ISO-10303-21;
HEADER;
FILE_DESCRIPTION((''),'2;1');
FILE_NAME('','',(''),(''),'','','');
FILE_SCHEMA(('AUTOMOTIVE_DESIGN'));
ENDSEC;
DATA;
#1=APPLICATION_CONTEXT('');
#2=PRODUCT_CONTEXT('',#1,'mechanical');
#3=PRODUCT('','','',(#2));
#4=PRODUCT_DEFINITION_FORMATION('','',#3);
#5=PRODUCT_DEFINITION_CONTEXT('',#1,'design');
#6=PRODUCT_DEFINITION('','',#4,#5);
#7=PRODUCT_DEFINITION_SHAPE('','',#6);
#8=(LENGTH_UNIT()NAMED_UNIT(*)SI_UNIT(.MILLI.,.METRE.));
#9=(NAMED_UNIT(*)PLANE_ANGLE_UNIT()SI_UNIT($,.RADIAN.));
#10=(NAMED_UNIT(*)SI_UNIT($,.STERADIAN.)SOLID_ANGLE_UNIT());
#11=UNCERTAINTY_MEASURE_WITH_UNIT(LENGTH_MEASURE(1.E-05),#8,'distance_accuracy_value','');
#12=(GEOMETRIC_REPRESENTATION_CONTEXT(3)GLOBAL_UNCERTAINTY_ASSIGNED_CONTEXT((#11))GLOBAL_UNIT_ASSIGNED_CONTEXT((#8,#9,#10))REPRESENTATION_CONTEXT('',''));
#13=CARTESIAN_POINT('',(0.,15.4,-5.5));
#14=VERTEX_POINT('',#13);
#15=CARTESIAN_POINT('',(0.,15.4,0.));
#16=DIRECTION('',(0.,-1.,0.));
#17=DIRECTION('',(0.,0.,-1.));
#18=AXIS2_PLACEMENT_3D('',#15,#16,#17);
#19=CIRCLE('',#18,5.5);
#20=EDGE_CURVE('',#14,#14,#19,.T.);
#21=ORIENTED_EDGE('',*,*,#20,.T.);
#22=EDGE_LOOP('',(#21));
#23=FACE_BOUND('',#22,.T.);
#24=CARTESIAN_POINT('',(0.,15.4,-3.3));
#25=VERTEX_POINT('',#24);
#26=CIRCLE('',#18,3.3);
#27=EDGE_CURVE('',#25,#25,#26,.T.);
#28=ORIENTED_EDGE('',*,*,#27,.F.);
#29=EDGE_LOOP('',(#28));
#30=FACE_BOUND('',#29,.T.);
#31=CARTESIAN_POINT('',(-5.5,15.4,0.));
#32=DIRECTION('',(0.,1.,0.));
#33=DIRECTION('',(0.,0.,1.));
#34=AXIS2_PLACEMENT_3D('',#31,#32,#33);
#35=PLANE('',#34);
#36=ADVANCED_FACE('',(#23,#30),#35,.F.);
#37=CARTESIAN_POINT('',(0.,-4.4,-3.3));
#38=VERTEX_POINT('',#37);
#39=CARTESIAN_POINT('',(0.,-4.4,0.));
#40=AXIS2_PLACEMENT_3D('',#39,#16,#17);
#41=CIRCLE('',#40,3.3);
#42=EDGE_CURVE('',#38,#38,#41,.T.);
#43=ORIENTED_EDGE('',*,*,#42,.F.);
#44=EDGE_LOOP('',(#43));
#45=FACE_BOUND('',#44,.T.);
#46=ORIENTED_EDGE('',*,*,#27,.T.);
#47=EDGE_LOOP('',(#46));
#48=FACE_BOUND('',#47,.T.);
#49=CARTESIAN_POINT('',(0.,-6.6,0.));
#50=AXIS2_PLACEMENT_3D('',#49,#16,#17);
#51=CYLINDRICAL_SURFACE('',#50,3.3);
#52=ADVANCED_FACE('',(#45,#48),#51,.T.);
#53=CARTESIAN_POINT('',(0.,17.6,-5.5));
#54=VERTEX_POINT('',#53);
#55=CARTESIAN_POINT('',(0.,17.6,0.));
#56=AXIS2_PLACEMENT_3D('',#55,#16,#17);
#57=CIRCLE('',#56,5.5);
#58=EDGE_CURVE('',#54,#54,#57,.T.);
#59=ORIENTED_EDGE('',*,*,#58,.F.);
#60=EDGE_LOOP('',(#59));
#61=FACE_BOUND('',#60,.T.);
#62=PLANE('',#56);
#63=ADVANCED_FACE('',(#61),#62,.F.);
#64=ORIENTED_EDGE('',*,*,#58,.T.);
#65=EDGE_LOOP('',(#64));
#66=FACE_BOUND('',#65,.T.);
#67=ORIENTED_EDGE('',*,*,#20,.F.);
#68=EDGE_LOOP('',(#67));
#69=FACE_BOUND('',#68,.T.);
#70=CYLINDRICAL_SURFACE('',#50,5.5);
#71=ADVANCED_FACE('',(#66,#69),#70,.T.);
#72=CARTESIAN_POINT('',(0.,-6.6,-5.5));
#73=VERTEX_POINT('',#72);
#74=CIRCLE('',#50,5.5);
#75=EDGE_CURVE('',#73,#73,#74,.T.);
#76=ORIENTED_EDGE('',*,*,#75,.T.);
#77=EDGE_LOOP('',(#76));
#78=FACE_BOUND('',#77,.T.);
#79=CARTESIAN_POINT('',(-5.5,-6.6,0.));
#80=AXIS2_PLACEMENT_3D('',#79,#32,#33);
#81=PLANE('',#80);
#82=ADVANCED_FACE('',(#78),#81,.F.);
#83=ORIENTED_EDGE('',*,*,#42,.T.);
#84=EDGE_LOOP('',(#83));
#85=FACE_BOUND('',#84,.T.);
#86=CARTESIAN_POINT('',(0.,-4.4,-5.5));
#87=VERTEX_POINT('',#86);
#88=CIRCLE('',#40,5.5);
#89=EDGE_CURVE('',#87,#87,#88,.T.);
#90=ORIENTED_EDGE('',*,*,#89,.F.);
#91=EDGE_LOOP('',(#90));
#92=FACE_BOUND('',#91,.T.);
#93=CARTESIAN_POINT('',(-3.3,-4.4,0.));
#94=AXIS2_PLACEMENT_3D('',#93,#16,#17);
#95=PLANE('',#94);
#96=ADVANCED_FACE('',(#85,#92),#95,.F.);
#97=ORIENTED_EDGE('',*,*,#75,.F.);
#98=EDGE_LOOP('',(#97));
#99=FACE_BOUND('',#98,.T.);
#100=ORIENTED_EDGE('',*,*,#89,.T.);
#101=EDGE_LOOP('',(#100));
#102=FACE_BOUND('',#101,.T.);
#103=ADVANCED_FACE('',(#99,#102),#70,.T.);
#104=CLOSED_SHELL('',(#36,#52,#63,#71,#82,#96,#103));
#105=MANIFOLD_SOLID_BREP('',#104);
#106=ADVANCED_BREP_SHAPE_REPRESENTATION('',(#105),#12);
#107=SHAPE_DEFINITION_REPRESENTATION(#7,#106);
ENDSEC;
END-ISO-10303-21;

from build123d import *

# Parameters (mm, degrees)
SCALE_1_SCALE = 2.2


with BuildPart() as part:
    # Эскиз1 → Повернуть1 (revolve)
    with BuildSketch(Plane.XY, mode=Mode.PRIVATE) as revolve_1_sk:
        Polygon((0, 0), (0, 11), (-2.5, 11), (-2.5, 10), (-1.5, 10), (-1.5, 1), (-2.5, 1), (-2.5, 0), align=None)
    revolve(revolve_1_sk.sketch.rotate(Axis((0, 0, 0), (0, 1, 0)), 270), axis=Axis((0, 0, 0), (0, 1, 0)))


with BuildPart() as part_1:
    # Масштаб1: scaled about (0, 5.5, 0)
    add(part.part.scale(SCALE_1_SCALE).moved(Location((0, -6.6, 0))))


solid = part_1.part
